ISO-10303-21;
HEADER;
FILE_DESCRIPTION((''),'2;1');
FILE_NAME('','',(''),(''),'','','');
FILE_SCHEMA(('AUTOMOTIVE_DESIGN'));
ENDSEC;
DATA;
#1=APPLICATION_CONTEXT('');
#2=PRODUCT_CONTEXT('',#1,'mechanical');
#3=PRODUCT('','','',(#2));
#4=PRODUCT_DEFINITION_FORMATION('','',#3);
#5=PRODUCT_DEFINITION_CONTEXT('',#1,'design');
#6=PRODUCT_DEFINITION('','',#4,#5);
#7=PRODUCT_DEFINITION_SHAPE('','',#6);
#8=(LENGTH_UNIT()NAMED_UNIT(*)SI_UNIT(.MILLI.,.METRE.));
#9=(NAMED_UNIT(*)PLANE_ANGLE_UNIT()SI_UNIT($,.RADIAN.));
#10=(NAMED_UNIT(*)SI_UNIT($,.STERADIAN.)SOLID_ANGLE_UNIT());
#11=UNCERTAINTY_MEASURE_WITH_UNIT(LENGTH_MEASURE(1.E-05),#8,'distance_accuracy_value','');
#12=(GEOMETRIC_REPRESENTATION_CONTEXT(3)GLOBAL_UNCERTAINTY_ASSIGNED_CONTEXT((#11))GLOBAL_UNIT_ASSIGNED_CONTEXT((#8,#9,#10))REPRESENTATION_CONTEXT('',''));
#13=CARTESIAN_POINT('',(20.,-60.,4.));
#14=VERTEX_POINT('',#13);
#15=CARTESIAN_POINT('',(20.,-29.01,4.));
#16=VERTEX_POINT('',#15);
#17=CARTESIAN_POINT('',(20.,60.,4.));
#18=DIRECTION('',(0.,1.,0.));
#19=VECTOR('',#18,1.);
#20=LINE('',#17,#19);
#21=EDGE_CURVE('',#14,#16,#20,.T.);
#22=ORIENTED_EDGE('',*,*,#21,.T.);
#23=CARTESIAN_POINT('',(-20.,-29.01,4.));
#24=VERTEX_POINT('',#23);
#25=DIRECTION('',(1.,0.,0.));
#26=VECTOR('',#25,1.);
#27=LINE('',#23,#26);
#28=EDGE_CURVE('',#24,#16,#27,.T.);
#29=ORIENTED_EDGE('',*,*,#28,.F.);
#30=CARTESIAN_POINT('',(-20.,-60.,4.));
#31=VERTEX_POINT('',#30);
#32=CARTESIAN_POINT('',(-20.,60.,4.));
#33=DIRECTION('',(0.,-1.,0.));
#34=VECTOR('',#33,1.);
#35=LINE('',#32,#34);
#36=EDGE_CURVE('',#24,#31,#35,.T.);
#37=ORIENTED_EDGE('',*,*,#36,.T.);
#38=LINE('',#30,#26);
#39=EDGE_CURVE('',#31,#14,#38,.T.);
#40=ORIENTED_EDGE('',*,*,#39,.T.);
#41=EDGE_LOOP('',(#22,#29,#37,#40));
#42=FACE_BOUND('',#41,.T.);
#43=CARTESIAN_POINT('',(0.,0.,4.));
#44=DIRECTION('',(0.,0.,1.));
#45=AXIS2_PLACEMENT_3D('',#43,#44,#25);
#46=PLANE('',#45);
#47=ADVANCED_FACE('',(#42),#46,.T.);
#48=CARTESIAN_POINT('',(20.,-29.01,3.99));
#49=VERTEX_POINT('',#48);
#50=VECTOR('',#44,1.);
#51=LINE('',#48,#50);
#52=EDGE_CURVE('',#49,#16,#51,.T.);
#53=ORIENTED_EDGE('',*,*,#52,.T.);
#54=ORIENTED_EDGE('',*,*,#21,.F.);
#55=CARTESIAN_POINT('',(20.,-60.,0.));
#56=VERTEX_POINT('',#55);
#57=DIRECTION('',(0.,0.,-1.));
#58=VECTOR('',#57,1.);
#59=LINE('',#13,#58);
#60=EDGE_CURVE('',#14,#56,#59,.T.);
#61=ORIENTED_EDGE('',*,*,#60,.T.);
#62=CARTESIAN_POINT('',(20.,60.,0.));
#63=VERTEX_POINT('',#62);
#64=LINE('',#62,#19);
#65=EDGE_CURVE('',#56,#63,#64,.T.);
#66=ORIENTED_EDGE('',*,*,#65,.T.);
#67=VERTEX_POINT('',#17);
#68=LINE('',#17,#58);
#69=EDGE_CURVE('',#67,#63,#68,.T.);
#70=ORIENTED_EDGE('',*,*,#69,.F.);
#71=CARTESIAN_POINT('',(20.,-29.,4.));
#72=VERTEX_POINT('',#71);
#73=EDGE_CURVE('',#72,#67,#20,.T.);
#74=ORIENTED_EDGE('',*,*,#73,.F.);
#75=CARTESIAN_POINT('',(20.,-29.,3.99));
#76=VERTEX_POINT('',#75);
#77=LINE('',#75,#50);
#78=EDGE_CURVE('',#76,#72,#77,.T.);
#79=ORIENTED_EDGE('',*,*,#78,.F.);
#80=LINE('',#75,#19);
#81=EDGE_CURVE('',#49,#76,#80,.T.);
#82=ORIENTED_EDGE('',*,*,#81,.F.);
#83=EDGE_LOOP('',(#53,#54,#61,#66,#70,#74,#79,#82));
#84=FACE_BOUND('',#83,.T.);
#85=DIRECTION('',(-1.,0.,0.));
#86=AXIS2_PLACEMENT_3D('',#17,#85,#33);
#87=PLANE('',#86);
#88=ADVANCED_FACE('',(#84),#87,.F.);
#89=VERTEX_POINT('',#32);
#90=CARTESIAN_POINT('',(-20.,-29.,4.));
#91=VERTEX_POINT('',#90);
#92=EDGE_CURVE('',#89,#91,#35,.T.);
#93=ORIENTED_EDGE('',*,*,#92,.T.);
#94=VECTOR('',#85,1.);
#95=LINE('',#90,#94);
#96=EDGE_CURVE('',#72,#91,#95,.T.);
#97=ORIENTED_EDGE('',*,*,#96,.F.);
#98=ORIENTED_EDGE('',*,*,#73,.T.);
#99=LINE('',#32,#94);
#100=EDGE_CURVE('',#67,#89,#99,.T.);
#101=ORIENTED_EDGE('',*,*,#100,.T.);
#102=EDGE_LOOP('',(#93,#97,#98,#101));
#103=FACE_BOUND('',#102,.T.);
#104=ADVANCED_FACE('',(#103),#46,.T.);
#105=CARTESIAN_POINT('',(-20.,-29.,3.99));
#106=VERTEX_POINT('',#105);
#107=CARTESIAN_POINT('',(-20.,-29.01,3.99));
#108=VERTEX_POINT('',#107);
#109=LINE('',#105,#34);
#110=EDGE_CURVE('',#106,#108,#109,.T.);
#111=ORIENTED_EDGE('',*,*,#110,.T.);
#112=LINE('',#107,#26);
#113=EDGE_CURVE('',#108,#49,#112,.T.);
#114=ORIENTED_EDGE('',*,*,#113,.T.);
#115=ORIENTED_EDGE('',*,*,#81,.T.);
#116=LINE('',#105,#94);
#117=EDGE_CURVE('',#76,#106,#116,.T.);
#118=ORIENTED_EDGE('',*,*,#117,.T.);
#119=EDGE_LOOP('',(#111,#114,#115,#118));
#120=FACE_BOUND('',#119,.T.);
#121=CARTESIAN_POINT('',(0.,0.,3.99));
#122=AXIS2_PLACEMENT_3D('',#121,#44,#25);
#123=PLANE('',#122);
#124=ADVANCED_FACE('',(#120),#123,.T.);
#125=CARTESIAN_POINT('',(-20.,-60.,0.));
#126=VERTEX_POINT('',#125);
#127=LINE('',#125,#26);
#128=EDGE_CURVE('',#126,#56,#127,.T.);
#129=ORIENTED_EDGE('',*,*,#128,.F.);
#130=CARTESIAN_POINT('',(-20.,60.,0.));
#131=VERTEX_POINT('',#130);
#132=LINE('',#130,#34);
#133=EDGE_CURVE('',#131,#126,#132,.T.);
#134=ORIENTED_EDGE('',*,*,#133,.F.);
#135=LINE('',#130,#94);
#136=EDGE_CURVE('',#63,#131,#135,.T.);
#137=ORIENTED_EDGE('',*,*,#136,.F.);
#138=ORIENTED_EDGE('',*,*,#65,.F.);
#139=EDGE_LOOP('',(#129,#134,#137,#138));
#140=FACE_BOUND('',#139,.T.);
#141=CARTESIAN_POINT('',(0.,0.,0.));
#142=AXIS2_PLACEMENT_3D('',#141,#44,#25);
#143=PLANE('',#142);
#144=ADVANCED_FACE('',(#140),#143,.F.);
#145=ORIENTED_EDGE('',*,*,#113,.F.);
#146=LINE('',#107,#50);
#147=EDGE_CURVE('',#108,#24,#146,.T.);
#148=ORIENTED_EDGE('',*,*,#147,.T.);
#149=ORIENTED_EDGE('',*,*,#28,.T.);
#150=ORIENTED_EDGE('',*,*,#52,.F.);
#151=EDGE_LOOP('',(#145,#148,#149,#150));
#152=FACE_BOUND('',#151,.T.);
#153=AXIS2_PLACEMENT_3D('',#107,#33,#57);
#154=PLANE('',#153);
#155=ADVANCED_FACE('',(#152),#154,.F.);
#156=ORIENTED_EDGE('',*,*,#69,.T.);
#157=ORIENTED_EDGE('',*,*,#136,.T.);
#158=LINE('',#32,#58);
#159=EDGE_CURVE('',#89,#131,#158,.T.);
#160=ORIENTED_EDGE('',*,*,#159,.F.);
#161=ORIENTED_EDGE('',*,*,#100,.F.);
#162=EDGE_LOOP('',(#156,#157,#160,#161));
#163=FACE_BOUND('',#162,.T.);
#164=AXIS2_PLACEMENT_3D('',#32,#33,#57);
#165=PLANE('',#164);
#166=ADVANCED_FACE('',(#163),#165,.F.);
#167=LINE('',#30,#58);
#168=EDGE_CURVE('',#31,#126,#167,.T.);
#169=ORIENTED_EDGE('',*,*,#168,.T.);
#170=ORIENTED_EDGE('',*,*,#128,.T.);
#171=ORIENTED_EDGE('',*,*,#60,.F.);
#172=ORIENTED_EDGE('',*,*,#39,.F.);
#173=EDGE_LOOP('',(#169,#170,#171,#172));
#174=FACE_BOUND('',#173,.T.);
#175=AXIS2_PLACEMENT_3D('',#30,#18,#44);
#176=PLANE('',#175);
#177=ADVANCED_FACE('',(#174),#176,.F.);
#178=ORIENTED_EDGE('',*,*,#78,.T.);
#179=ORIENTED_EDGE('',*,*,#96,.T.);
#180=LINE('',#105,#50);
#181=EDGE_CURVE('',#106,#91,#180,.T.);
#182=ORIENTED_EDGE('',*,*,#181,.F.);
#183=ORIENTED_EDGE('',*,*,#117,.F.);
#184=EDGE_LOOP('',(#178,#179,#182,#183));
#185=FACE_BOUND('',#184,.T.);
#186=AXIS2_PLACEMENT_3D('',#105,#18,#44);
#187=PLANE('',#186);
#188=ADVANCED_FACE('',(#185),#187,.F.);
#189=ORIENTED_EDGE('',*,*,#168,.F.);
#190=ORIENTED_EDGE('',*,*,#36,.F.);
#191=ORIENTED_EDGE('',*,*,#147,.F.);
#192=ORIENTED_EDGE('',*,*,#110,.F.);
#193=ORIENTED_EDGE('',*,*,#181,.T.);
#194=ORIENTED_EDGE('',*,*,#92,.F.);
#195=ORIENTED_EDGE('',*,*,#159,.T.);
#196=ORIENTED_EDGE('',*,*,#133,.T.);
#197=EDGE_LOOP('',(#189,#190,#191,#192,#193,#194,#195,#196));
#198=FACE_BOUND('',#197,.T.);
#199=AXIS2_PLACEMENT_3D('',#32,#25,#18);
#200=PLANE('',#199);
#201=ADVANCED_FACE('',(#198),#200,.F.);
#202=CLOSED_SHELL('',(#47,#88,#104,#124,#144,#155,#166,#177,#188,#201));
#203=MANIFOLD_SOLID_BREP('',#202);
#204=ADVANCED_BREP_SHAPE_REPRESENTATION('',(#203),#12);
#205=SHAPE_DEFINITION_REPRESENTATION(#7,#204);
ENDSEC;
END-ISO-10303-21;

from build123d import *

# Parameters (mm, degrees)
SKETCH1_W           = 40
SKETCH1_H           = 120
BOSS_EXTRUDE1_DEPTH = 4
SKETCH4_W           = 40
SKETCH4_H           = 0.01
CUT_EXTRUDE1_DEPTH  = 0.01


with BuildPart() as part:
    # Sketch1 → Boss-Extrude1 (new body)
    with BuildSketch(Plane.XY):
        Rectangle(SKETCH1_W, SKETCH1_H)
    extrude(amount=BOSS_EXTRUDE1_DEPTH)

    # Sketch4 → Cut-Extrude1 (cut)
    with BuildSketch(Plane.XY.offset(4)):
        with Locations((0, -29.005)):
            Rectangle(SKETCH4_W, SKETCH4_H)
    extrude(amount=-CUT_EXTRUDE1_DEPTH, mode=Mode.SUBTRACT)


solid = part.part
